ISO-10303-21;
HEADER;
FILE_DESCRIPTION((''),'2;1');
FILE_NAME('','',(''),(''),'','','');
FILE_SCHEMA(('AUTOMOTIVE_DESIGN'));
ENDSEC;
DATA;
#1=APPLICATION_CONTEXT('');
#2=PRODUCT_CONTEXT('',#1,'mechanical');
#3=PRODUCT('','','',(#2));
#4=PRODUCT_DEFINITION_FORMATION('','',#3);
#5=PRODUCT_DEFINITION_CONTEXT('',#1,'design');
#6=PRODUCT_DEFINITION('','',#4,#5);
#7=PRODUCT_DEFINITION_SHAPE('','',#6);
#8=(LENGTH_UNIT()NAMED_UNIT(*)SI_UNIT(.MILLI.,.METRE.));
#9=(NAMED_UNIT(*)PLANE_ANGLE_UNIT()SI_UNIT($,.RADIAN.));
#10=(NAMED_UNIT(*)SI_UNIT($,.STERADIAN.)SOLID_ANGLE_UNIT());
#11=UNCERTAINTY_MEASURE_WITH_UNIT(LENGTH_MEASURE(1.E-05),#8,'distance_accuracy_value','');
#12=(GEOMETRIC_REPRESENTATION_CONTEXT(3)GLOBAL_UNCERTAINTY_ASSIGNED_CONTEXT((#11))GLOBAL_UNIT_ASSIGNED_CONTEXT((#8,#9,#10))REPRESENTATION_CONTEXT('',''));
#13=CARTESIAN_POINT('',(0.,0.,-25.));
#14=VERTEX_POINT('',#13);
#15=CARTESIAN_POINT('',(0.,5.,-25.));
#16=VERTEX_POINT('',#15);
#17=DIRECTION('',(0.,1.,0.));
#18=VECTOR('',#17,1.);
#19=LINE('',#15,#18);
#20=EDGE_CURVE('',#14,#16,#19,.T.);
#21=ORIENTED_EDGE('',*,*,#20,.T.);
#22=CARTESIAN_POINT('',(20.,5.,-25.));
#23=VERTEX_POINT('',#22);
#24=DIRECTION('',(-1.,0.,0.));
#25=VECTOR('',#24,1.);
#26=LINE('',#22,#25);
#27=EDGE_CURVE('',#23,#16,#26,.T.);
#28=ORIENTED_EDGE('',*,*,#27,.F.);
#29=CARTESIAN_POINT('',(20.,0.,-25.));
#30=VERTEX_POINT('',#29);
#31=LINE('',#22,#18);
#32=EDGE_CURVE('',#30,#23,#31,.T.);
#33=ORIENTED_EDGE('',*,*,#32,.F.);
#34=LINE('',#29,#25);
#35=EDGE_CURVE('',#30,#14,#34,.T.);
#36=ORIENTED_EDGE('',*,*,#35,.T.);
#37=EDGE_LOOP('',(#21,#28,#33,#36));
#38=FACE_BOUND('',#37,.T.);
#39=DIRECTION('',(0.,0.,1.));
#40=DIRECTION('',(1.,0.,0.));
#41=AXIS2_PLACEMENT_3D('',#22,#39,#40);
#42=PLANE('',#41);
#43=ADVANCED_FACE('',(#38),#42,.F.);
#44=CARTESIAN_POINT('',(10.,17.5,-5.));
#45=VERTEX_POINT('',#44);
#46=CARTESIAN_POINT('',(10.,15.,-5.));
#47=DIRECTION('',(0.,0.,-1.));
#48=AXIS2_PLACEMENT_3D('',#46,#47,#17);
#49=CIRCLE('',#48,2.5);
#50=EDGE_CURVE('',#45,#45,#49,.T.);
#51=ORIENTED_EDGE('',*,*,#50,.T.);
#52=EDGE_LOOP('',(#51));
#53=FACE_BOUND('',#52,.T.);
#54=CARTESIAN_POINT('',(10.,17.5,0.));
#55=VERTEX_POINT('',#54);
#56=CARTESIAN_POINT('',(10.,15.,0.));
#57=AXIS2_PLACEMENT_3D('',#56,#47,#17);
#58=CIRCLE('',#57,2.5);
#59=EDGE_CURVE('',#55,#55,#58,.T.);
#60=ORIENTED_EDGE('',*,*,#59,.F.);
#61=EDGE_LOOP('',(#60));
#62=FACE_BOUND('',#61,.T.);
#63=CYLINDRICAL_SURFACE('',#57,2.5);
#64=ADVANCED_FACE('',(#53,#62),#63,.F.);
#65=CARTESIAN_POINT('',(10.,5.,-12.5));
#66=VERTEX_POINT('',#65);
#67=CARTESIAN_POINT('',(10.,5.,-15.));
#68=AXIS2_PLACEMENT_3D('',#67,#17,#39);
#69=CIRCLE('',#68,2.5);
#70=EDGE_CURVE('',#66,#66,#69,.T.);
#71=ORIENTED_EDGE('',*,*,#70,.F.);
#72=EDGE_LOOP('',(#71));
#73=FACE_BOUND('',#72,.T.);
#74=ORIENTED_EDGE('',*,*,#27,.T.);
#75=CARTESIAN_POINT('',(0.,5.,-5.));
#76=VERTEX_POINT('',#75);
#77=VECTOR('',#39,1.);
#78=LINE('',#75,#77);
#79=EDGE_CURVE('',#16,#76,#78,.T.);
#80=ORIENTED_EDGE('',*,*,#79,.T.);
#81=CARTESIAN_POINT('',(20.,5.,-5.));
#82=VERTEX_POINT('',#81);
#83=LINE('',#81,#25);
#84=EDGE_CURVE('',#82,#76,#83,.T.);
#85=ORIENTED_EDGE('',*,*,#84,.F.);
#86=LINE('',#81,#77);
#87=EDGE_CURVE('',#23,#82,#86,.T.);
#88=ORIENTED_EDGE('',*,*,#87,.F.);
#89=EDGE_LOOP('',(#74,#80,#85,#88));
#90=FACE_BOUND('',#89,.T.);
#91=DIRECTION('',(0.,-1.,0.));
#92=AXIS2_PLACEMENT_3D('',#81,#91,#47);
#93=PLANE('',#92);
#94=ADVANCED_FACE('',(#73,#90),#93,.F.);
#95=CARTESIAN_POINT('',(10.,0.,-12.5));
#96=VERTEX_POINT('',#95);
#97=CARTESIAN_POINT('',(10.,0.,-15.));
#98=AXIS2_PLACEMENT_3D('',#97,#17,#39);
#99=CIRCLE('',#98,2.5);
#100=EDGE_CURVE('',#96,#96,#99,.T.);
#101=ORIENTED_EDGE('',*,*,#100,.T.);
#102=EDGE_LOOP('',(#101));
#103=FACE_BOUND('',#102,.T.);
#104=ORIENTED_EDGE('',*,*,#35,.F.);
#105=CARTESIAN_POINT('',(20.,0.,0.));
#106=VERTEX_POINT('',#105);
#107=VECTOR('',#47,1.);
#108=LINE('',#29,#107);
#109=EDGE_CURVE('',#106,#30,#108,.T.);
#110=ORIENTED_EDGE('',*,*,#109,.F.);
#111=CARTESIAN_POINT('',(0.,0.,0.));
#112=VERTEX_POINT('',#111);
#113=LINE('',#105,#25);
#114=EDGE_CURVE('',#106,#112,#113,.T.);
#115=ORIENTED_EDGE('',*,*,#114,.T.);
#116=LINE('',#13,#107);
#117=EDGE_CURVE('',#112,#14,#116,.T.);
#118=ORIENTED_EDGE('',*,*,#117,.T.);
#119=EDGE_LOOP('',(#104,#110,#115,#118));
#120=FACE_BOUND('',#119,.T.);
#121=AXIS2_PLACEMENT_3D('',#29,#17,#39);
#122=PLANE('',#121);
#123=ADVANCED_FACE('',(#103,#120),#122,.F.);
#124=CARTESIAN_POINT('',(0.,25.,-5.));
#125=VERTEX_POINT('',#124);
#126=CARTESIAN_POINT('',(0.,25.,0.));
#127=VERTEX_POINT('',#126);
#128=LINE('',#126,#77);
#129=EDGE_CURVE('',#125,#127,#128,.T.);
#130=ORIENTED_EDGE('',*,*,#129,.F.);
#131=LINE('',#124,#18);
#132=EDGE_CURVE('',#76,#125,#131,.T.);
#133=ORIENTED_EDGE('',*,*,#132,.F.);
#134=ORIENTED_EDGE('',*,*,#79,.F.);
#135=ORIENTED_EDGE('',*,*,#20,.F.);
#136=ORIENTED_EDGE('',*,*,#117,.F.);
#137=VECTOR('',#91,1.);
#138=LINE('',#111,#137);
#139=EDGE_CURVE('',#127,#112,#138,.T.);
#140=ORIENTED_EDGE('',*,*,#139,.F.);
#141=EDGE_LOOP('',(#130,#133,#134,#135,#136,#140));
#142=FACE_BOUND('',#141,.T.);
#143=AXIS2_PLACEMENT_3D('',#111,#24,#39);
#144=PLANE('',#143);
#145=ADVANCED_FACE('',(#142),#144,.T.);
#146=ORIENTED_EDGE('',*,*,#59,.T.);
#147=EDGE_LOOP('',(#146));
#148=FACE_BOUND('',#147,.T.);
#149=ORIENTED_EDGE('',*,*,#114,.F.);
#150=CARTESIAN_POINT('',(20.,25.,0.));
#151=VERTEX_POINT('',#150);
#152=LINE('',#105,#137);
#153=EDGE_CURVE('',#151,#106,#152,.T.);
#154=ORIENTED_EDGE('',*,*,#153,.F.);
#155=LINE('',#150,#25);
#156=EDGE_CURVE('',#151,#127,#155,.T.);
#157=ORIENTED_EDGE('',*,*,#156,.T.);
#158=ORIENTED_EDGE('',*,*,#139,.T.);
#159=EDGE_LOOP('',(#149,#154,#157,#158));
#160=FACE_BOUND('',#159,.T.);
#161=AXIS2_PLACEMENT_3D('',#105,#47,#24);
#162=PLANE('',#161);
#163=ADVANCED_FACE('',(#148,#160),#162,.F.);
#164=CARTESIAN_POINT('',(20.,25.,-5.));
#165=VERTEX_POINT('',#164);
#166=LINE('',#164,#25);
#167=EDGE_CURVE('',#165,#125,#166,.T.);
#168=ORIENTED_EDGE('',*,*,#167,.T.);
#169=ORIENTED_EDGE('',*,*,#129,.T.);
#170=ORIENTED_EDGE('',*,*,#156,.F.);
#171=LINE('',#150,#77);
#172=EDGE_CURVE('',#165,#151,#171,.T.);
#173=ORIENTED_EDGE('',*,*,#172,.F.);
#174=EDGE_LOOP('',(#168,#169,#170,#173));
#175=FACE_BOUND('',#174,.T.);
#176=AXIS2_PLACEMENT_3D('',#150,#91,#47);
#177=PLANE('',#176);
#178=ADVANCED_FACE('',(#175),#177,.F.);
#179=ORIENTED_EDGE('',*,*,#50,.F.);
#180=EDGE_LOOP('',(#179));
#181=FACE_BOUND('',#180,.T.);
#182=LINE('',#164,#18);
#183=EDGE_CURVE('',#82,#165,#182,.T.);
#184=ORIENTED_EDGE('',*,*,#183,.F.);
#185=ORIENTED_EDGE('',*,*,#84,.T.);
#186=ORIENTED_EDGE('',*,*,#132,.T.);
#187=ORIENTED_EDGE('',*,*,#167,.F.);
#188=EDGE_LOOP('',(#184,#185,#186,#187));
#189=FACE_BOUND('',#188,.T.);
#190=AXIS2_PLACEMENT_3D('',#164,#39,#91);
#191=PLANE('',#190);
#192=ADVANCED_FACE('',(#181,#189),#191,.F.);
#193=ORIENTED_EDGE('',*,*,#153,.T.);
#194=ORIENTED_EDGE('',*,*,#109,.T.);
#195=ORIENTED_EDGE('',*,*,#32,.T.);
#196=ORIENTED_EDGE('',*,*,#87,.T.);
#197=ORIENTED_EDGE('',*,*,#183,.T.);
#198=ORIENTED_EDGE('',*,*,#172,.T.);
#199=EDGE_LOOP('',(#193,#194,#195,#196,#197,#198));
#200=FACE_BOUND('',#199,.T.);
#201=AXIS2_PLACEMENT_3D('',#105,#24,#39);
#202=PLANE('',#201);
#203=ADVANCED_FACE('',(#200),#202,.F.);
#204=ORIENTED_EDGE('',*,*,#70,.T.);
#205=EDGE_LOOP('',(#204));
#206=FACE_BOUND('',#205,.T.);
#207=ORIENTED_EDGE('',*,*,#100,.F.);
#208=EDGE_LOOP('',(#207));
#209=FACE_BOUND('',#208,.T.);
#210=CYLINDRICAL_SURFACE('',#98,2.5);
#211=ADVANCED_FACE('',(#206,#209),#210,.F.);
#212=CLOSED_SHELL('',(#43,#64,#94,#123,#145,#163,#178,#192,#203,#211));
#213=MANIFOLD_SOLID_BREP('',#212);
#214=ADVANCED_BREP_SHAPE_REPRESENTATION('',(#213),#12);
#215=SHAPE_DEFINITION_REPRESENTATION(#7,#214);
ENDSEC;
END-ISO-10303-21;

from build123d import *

# Parameters (mm, degrees)
BOSS_EXTRUDE1_DEPTH = 20
SKETCH2_R           = 2.5
CUT_EXTRUDE1_DEPTH  = 6
SKETCH3_R           = 2.5
CUT_EXTRUDE2_DEPTH  = 6


with BuildPart() as part:
    # Sketch1 → Boss-Extrude1 (new body)
    with BuildSketch(Plane(origin=(0, 0, 0), x_dir=(0, 0, -1), z_dir=(1, 0, 0))):
        Polygon((0, 0), (0, 25), (5, 25), (5, 5), (25, 5), (25, 0), align=None)
    extrude(amount=BOSS_EXTRUDE1_DEPTH)

    # Sketch2 → Cut-Extrude1 (cut, through all)
    with BuildSketch(Plane(origin=(0, 5, 0), x_dir=(1, 0, 0), z_dir=(0, 1, 0))):
        with Locations((10, 15)):
            Circle(SKETCH2_R)
    extrude(amount=-CUT_EXTRUDE1_DEPTH, mode=Mode.SUBTRACT)

    # Sketch3 → Cut-Extrude2 (cut, through all)
    with BuildSketch(Plane(origin=(0, 0, -5), x_dir=(-1, 0, 0), z_dir=(0, 0, -1))):
        with Locations((-10, 15)):
            Circle(SKETCH3_R)
    extrude(amount=-CUT_EXTRUDE2_DEPTH, mode=Mode.SUBTRACT)


solid = part.part
